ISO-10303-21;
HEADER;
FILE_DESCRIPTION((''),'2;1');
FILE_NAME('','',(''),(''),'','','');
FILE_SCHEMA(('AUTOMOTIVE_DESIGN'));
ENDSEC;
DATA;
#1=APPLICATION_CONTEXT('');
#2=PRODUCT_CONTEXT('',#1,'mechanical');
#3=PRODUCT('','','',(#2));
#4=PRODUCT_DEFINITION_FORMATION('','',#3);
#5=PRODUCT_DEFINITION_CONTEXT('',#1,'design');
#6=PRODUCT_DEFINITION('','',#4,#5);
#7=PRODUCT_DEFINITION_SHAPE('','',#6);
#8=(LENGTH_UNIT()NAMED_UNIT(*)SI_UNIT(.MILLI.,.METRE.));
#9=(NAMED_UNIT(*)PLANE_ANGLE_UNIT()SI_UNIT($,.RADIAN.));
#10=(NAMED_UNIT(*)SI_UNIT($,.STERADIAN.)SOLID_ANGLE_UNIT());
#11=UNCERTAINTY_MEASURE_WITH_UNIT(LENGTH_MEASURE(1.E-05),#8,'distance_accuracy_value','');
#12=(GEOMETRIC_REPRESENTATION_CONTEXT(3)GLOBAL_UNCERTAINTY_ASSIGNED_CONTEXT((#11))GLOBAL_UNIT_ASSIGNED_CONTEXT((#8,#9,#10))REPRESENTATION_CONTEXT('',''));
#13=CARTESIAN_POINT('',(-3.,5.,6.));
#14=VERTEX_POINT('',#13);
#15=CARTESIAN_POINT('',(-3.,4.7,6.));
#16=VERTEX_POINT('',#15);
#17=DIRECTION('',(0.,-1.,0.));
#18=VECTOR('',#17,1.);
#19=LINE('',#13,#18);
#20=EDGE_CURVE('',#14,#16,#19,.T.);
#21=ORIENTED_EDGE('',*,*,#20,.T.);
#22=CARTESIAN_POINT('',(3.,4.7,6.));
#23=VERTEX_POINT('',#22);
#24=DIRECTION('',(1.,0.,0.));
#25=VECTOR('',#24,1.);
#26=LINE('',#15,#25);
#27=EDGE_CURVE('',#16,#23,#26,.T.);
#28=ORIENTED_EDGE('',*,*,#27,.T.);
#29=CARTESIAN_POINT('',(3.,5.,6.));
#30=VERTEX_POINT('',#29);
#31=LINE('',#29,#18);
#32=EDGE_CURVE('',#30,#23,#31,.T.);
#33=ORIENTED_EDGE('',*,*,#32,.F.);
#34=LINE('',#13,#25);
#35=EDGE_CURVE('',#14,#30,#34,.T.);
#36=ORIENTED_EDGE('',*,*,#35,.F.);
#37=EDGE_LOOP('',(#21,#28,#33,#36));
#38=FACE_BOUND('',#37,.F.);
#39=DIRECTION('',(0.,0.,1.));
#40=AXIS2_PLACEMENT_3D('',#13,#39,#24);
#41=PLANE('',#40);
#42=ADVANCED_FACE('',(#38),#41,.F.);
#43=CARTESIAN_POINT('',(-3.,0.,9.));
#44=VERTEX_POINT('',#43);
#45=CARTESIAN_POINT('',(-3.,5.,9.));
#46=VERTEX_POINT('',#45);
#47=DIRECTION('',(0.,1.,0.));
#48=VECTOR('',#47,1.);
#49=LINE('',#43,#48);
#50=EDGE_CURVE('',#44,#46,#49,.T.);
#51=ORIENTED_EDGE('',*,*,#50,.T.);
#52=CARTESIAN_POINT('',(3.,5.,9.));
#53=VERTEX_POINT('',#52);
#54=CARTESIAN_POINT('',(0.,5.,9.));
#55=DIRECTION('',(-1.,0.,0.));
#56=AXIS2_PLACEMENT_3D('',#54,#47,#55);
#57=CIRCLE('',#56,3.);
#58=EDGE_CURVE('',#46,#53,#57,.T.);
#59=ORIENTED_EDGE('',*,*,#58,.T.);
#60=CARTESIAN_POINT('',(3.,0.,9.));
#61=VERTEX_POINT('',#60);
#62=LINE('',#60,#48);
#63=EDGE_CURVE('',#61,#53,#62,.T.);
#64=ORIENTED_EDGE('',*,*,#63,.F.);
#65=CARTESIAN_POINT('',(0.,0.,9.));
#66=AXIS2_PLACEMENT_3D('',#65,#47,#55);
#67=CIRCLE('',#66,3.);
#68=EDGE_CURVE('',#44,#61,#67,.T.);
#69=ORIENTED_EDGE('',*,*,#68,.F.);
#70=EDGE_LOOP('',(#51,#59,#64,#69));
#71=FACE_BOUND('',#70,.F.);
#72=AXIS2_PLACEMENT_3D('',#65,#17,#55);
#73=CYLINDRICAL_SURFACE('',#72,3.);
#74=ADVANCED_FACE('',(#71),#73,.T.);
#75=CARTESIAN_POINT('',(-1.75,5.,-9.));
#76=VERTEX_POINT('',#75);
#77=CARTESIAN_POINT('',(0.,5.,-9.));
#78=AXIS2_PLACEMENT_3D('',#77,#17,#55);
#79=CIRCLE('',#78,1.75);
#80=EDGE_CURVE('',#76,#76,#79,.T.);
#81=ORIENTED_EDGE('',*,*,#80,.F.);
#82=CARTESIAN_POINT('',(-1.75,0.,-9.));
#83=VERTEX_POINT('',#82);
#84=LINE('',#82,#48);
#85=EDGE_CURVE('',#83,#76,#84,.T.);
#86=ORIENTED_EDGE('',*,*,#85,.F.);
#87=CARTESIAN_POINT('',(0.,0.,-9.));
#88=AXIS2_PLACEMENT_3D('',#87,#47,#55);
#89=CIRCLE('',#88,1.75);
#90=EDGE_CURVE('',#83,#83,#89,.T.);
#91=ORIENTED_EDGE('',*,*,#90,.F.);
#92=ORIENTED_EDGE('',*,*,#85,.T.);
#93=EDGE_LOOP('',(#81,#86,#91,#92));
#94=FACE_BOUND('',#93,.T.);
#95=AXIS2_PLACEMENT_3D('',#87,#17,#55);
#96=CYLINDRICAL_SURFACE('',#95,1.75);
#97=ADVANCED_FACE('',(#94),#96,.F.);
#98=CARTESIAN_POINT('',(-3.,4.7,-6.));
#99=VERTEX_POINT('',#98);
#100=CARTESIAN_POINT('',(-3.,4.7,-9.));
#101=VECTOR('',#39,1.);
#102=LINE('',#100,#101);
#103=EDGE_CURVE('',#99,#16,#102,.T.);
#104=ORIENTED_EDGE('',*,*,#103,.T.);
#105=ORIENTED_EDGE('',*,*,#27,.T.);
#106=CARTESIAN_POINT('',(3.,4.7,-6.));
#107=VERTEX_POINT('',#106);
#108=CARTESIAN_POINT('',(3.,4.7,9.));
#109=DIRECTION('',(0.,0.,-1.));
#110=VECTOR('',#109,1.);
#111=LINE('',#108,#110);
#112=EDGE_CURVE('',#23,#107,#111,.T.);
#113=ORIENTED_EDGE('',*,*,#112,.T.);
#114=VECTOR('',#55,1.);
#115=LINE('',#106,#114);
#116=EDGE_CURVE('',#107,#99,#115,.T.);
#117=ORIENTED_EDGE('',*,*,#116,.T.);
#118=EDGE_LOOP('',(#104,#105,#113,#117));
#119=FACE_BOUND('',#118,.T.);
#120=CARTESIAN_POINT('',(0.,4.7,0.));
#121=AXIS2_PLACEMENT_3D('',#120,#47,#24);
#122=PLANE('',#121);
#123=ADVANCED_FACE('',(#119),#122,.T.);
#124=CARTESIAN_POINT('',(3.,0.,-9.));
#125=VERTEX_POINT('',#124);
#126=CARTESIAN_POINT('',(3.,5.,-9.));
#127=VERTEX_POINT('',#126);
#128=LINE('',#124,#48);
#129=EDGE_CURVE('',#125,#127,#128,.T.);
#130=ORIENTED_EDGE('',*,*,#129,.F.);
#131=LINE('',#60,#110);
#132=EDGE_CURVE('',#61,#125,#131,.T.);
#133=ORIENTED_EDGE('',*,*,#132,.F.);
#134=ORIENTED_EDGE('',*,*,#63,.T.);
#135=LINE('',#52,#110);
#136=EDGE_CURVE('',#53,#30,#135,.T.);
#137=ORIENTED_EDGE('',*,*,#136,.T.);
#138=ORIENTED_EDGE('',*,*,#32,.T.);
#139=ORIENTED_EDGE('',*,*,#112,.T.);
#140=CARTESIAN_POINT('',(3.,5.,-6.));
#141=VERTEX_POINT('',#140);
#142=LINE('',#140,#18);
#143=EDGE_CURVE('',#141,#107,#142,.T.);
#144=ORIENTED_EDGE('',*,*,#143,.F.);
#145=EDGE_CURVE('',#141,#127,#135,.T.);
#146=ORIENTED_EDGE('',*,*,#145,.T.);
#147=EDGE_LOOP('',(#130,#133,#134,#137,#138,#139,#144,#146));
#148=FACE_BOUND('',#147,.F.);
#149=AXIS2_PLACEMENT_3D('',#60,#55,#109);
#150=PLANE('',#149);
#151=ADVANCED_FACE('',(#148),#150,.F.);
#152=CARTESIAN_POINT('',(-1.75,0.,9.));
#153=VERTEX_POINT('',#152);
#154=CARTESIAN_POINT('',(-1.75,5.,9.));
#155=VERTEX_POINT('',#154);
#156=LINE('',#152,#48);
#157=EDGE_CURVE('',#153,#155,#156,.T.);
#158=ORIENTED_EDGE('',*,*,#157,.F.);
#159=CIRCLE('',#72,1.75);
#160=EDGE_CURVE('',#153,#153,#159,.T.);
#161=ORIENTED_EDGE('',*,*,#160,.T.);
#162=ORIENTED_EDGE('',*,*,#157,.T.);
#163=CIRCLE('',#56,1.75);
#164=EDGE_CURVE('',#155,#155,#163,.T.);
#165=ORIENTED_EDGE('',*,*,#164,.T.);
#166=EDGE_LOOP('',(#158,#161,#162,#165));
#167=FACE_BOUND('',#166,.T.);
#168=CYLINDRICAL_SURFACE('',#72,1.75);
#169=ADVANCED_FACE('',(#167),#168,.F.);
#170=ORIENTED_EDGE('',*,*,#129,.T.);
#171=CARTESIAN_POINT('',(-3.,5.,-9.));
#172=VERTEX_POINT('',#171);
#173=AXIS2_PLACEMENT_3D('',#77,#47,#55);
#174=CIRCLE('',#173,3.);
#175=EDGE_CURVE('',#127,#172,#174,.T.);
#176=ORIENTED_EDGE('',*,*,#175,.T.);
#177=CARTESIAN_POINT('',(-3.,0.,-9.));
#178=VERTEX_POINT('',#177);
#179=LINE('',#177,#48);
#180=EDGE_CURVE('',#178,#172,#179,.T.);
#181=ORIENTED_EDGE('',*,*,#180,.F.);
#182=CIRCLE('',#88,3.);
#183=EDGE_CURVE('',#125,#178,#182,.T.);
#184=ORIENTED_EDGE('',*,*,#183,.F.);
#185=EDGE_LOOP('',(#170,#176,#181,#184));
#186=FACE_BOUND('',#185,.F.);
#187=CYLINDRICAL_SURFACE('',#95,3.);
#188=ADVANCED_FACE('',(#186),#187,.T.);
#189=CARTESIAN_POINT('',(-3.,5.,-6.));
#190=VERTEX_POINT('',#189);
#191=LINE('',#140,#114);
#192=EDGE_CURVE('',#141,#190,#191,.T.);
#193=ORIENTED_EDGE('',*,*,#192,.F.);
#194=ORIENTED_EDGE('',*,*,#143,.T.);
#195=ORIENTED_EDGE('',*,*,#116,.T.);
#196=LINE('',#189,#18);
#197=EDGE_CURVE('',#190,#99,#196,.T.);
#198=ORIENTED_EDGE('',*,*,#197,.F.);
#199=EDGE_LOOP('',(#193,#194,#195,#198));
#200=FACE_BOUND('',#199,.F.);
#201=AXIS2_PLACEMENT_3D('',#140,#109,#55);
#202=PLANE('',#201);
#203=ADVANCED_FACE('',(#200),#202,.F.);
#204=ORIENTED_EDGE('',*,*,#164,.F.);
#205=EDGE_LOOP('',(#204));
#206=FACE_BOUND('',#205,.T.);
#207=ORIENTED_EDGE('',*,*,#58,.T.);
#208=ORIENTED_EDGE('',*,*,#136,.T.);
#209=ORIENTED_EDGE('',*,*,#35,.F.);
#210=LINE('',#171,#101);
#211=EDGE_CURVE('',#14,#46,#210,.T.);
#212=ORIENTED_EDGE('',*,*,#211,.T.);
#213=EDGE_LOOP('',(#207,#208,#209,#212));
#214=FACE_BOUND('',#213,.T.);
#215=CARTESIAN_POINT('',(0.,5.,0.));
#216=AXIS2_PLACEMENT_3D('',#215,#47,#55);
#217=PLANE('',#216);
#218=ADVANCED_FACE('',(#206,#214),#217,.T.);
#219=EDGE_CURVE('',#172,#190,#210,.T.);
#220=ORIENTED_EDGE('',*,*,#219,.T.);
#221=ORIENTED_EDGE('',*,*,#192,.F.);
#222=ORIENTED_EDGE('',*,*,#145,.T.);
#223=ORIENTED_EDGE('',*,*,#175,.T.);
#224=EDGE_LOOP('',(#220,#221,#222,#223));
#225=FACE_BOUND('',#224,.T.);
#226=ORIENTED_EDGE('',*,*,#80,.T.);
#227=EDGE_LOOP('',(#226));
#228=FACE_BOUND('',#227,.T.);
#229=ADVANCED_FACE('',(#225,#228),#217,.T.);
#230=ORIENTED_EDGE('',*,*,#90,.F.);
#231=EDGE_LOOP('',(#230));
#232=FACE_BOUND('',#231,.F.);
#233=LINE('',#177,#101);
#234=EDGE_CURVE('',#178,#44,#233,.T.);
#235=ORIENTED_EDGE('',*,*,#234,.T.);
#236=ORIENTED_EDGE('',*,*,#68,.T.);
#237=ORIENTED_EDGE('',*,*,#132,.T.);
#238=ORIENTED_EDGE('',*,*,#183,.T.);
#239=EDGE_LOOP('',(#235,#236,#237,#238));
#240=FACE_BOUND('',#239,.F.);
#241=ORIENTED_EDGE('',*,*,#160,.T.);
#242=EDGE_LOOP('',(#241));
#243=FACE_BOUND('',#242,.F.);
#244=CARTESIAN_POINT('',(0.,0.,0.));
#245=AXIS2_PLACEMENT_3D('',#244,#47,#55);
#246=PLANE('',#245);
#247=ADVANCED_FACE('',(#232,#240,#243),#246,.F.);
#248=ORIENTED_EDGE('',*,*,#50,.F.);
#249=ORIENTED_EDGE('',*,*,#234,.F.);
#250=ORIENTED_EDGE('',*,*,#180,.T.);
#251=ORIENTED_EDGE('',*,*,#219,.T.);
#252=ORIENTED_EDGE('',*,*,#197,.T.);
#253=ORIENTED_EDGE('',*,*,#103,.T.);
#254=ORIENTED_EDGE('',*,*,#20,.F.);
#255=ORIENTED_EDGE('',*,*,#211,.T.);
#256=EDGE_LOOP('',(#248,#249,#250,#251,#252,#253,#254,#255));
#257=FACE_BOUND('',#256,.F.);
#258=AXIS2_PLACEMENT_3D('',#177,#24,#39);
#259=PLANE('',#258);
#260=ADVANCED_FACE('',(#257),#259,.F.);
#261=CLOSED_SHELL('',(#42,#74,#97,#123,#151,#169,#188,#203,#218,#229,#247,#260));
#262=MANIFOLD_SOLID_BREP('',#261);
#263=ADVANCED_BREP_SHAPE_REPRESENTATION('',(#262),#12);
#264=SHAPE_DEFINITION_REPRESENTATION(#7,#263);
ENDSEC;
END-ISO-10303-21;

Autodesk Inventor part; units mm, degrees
ref_plane "YZ Plane" through (0, 0, 0) normal (1, 0, 0) x (0, 1, 0)
ref_plane "XZ Plane" through (0, 0, 0) normal (0, 1, 0) x (-1, 0, 0)
ref_plane "XY Plane" through (0, 0, 0) normal (0, 0, 1) x (1, 0, 0)
sketch "Sketch1" plane through (0, 0, 0) normal (0, 1, 0) x (-1, 0, 0)
  circle A0 centre (0, 9) radius 1.75
  circle A1 centre (0, -9) radius 1.75
  circle A2 centre (0, 9) radius 3
  circle A3 centre (0, -9) radius 3
  line L0 (3, 9) -> (-3, 9)
  line L1 (-3, 9) -> (-3, -9)
  line L2 (-3, -9) -> (3, -9)
  line L3 (3, -9) -> (3, 9)
  point P0 (0, 0)
  point P1 (-3, 9)
  point P2 (3, -9)
  dimension "d6" = 6
  dimension "d7" = 6
  dimension "d0" = 3.5
  dimension "d1" = 3.5
  dimension "d2" = 9
  dimension "d3" = 9
  dimension "d4" = 0
  dimension "d5" = 0
  dimension "d8" = 18
  dimension "d9" = 6
extrude "Extrusion1" add sketch "Sketch1" along normal blind 5 contours L0 A2 A0 | A0 L0 A2 | L3 A3 L1 A2 | L2 A1 A3 | A3 L2 A1
sketch "Sketch2" plane through (0, 5, 0) normal (0, 1, 0) x (1, 0, 0)
  line L0 (-3, 9) -> (-3, -9) projected
  line L1 (3, -9) -> (3, 9) projected
  line L2 (-3, -6) -> (3, -6)
  line L3 (3, -6) -> (3, 6)
  line L4 (3, 6) -> (-3, 6)
  line L5 (-3, 6) -> (-3, -6)
  point P0 (0, 0)
  point P1 (3, -6)
  dimension "d12" = 6
  dimension "d13" = 6
extrude "Extrusion2" cut sketch "Sketch2" against normal blind 0.3
properties part number "Belt Holder"
